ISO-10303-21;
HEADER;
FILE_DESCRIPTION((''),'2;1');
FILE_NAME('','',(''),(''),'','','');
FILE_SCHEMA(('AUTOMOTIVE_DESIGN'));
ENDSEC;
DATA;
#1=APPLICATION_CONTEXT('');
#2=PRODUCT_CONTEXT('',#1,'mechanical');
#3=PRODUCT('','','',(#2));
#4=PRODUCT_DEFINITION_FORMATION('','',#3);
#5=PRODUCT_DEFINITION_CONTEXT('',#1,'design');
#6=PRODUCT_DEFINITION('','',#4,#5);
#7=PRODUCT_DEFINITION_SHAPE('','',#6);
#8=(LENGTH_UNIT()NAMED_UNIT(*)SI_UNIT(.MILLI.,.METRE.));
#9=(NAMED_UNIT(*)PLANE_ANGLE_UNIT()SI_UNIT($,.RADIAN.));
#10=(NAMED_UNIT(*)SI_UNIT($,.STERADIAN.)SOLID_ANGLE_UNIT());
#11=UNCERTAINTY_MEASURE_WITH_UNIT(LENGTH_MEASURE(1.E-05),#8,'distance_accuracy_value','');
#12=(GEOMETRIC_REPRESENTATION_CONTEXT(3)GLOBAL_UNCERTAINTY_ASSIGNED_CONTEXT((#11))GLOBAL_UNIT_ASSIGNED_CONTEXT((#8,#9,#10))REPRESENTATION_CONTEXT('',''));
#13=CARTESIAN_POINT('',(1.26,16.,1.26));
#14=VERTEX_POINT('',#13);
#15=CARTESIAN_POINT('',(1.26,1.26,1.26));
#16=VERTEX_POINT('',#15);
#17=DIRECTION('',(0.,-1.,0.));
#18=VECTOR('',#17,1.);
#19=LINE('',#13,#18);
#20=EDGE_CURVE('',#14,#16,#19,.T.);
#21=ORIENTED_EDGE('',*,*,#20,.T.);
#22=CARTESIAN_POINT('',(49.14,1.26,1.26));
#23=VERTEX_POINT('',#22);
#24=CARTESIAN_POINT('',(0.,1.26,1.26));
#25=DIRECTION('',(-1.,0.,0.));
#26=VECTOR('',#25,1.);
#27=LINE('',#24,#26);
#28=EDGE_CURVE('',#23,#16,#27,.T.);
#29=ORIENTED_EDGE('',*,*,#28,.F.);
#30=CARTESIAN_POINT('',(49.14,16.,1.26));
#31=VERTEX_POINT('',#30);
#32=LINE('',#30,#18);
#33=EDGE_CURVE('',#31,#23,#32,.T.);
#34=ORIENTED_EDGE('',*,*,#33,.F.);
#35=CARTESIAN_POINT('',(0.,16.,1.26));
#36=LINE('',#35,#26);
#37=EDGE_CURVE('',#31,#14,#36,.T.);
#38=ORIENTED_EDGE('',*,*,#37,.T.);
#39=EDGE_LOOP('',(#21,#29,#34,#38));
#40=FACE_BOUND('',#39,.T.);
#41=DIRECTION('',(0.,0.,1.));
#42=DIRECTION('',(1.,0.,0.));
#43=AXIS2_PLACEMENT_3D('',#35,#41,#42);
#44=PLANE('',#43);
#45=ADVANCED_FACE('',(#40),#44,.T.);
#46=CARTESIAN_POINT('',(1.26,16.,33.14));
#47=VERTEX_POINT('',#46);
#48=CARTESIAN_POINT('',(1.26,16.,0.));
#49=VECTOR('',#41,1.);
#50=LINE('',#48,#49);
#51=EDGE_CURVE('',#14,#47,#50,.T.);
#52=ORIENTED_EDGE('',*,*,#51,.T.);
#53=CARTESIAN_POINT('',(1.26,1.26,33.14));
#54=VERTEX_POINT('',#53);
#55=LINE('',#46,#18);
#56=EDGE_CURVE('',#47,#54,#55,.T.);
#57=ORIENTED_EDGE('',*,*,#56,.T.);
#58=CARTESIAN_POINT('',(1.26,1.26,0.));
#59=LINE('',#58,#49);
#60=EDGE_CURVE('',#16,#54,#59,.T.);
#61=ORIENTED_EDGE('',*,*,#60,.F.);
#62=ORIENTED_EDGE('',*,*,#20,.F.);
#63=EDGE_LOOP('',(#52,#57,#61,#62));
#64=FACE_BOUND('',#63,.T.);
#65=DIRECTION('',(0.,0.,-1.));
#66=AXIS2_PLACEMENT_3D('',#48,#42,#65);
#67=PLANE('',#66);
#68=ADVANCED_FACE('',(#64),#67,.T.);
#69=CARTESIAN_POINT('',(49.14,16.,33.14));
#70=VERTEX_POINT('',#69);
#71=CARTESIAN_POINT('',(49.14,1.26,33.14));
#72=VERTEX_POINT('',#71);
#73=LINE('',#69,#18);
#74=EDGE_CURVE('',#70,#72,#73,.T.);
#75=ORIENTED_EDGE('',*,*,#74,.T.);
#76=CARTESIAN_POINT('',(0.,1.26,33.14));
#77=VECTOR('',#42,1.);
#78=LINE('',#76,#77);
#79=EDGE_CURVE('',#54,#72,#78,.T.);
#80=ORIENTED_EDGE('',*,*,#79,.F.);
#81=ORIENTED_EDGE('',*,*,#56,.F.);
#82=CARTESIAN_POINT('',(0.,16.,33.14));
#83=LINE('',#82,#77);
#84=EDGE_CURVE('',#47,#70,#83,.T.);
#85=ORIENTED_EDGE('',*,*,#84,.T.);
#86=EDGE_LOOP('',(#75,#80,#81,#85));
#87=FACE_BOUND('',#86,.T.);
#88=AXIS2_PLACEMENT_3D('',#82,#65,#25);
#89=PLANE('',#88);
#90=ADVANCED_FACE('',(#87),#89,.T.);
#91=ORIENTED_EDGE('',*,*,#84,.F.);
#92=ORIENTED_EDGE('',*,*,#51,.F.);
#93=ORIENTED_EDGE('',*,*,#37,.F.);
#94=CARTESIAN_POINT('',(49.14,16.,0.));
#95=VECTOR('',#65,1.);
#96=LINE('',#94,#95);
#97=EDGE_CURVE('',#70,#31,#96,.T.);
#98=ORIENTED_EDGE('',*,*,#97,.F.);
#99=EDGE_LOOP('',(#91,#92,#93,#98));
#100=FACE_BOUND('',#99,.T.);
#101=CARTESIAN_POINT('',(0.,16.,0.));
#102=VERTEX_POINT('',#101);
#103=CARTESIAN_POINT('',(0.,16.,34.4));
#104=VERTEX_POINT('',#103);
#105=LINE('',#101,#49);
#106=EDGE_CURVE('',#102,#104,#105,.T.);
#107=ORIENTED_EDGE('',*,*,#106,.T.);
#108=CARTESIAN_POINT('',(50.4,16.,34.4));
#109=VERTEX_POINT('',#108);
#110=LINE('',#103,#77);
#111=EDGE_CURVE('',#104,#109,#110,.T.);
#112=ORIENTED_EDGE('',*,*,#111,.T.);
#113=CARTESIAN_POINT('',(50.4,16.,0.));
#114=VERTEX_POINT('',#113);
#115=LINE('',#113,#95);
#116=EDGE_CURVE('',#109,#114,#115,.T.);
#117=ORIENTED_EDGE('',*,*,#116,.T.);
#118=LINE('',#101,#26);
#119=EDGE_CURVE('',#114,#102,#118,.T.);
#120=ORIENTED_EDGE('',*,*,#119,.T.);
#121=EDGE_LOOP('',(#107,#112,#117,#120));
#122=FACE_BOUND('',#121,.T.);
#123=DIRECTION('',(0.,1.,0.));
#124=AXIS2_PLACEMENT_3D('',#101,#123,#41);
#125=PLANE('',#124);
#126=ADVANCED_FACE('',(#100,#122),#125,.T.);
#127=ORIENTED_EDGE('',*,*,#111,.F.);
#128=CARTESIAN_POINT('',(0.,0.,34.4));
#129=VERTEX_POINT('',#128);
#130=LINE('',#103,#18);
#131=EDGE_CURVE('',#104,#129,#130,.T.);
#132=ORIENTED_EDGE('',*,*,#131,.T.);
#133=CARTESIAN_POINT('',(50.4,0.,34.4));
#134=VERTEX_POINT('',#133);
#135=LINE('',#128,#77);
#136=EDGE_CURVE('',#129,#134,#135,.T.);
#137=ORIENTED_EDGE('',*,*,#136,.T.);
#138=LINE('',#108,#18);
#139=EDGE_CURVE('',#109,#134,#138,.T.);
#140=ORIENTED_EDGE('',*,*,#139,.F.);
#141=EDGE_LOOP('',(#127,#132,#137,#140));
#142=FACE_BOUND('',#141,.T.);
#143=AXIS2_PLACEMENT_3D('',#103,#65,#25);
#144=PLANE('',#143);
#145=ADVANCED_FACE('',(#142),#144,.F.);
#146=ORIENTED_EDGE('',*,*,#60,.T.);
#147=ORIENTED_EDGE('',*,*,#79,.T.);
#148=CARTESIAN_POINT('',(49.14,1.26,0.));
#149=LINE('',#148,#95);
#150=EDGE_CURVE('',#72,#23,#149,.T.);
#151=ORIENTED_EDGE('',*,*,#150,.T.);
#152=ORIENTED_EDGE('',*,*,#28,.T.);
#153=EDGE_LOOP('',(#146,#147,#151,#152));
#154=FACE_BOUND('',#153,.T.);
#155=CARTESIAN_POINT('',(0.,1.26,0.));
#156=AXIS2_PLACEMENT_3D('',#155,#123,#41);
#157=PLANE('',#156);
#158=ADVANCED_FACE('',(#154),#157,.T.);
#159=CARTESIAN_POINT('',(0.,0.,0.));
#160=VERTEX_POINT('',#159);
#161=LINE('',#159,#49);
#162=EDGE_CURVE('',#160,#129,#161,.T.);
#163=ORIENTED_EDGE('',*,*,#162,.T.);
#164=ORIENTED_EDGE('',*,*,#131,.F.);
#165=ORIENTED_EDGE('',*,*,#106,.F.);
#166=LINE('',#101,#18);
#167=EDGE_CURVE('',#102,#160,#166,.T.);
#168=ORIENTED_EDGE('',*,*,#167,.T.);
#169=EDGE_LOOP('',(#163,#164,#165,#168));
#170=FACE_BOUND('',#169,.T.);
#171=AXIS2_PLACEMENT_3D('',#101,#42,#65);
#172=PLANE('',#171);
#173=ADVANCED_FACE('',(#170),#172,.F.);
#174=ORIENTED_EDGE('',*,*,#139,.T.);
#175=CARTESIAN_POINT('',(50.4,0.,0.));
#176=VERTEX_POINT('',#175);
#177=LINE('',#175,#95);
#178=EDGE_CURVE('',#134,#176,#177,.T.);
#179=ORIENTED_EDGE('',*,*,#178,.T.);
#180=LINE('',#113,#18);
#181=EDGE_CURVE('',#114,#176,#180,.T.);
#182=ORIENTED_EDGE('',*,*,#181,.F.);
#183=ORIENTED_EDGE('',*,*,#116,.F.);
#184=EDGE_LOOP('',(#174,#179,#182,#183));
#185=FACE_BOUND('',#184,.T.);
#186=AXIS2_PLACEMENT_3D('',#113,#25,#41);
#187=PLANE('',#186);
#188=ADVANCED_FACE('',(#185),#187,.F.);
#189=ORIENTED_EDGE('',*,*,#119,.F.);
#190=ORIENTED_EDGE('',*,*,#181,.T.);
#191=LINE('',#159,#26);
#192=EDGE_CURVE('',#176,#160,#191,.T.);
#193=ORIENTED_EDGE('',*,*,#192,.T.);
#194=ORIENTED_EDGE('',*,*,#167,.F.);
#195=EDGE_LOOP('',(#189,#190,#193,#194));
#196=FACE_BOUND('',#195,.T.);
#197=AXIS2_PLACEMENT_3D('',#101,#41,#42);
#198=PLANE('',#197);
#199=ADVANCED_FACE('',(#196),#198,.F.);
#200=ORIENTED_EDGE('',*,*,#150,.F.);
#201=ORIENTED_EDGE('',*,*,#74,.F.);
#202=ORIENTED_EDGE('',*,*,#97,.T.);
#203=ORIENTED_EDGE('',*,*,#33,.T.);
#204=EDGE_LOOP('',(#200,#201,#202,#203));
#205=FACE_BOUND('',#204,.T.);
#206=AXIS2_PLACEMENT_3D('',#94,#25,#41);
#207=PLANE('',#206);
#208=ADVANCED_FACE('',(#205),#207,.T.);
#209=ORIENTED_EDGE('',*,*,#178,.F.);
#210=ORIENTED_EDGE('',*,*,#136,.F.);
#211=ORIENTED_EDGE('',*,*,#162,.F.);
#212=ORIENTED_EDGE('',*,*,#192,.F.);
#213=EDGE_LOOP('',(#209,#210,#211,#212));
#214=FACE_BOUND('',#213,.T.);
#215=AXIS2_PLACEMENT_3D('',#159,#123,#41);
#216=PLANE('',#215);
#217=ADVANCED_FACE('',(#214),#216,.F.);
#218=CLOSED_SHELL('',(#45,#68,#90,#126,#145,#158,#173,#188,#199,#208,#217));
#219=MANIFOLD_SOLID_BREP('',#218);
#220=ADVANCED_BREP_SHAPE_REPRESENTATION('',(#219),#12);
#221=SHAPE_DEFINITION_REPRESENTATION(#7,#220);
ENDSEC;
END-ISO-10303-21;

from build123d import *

# Parameters (mm, degrees)
ESBO_O2_W                = 50.4
ESBO_O2_H                = 34.4
RESSALTO_EXTRUS_O1_DEPTH = 16
CASCA1_T                 = -1.26


with BuildPart() as part:
    # Esboço2 → Ressalto-extrusão1 (new body)
    with BuildSketch(Plane(origin=(0, 0, 0), x_dir=(1, 0, 0), z_dir=(0, 1, 0))):
        with Locations((25.2, -17.2)):
            Rectangle(ESBO_O2_W, ESBO_O2_H)
    extrude(amount=RESSALTO_EXTRUS_O1_DEPTH)

    # Casca1
    casca1_openings = [part.faces().sort_by_distance(p)[0] for p in [
        (25.2, 16, 17.2),
    ]]
    offset(amount=CASCA1_T, openings=casca1_openings, kind=Kind.INTERSECTION)


solid = part.part
